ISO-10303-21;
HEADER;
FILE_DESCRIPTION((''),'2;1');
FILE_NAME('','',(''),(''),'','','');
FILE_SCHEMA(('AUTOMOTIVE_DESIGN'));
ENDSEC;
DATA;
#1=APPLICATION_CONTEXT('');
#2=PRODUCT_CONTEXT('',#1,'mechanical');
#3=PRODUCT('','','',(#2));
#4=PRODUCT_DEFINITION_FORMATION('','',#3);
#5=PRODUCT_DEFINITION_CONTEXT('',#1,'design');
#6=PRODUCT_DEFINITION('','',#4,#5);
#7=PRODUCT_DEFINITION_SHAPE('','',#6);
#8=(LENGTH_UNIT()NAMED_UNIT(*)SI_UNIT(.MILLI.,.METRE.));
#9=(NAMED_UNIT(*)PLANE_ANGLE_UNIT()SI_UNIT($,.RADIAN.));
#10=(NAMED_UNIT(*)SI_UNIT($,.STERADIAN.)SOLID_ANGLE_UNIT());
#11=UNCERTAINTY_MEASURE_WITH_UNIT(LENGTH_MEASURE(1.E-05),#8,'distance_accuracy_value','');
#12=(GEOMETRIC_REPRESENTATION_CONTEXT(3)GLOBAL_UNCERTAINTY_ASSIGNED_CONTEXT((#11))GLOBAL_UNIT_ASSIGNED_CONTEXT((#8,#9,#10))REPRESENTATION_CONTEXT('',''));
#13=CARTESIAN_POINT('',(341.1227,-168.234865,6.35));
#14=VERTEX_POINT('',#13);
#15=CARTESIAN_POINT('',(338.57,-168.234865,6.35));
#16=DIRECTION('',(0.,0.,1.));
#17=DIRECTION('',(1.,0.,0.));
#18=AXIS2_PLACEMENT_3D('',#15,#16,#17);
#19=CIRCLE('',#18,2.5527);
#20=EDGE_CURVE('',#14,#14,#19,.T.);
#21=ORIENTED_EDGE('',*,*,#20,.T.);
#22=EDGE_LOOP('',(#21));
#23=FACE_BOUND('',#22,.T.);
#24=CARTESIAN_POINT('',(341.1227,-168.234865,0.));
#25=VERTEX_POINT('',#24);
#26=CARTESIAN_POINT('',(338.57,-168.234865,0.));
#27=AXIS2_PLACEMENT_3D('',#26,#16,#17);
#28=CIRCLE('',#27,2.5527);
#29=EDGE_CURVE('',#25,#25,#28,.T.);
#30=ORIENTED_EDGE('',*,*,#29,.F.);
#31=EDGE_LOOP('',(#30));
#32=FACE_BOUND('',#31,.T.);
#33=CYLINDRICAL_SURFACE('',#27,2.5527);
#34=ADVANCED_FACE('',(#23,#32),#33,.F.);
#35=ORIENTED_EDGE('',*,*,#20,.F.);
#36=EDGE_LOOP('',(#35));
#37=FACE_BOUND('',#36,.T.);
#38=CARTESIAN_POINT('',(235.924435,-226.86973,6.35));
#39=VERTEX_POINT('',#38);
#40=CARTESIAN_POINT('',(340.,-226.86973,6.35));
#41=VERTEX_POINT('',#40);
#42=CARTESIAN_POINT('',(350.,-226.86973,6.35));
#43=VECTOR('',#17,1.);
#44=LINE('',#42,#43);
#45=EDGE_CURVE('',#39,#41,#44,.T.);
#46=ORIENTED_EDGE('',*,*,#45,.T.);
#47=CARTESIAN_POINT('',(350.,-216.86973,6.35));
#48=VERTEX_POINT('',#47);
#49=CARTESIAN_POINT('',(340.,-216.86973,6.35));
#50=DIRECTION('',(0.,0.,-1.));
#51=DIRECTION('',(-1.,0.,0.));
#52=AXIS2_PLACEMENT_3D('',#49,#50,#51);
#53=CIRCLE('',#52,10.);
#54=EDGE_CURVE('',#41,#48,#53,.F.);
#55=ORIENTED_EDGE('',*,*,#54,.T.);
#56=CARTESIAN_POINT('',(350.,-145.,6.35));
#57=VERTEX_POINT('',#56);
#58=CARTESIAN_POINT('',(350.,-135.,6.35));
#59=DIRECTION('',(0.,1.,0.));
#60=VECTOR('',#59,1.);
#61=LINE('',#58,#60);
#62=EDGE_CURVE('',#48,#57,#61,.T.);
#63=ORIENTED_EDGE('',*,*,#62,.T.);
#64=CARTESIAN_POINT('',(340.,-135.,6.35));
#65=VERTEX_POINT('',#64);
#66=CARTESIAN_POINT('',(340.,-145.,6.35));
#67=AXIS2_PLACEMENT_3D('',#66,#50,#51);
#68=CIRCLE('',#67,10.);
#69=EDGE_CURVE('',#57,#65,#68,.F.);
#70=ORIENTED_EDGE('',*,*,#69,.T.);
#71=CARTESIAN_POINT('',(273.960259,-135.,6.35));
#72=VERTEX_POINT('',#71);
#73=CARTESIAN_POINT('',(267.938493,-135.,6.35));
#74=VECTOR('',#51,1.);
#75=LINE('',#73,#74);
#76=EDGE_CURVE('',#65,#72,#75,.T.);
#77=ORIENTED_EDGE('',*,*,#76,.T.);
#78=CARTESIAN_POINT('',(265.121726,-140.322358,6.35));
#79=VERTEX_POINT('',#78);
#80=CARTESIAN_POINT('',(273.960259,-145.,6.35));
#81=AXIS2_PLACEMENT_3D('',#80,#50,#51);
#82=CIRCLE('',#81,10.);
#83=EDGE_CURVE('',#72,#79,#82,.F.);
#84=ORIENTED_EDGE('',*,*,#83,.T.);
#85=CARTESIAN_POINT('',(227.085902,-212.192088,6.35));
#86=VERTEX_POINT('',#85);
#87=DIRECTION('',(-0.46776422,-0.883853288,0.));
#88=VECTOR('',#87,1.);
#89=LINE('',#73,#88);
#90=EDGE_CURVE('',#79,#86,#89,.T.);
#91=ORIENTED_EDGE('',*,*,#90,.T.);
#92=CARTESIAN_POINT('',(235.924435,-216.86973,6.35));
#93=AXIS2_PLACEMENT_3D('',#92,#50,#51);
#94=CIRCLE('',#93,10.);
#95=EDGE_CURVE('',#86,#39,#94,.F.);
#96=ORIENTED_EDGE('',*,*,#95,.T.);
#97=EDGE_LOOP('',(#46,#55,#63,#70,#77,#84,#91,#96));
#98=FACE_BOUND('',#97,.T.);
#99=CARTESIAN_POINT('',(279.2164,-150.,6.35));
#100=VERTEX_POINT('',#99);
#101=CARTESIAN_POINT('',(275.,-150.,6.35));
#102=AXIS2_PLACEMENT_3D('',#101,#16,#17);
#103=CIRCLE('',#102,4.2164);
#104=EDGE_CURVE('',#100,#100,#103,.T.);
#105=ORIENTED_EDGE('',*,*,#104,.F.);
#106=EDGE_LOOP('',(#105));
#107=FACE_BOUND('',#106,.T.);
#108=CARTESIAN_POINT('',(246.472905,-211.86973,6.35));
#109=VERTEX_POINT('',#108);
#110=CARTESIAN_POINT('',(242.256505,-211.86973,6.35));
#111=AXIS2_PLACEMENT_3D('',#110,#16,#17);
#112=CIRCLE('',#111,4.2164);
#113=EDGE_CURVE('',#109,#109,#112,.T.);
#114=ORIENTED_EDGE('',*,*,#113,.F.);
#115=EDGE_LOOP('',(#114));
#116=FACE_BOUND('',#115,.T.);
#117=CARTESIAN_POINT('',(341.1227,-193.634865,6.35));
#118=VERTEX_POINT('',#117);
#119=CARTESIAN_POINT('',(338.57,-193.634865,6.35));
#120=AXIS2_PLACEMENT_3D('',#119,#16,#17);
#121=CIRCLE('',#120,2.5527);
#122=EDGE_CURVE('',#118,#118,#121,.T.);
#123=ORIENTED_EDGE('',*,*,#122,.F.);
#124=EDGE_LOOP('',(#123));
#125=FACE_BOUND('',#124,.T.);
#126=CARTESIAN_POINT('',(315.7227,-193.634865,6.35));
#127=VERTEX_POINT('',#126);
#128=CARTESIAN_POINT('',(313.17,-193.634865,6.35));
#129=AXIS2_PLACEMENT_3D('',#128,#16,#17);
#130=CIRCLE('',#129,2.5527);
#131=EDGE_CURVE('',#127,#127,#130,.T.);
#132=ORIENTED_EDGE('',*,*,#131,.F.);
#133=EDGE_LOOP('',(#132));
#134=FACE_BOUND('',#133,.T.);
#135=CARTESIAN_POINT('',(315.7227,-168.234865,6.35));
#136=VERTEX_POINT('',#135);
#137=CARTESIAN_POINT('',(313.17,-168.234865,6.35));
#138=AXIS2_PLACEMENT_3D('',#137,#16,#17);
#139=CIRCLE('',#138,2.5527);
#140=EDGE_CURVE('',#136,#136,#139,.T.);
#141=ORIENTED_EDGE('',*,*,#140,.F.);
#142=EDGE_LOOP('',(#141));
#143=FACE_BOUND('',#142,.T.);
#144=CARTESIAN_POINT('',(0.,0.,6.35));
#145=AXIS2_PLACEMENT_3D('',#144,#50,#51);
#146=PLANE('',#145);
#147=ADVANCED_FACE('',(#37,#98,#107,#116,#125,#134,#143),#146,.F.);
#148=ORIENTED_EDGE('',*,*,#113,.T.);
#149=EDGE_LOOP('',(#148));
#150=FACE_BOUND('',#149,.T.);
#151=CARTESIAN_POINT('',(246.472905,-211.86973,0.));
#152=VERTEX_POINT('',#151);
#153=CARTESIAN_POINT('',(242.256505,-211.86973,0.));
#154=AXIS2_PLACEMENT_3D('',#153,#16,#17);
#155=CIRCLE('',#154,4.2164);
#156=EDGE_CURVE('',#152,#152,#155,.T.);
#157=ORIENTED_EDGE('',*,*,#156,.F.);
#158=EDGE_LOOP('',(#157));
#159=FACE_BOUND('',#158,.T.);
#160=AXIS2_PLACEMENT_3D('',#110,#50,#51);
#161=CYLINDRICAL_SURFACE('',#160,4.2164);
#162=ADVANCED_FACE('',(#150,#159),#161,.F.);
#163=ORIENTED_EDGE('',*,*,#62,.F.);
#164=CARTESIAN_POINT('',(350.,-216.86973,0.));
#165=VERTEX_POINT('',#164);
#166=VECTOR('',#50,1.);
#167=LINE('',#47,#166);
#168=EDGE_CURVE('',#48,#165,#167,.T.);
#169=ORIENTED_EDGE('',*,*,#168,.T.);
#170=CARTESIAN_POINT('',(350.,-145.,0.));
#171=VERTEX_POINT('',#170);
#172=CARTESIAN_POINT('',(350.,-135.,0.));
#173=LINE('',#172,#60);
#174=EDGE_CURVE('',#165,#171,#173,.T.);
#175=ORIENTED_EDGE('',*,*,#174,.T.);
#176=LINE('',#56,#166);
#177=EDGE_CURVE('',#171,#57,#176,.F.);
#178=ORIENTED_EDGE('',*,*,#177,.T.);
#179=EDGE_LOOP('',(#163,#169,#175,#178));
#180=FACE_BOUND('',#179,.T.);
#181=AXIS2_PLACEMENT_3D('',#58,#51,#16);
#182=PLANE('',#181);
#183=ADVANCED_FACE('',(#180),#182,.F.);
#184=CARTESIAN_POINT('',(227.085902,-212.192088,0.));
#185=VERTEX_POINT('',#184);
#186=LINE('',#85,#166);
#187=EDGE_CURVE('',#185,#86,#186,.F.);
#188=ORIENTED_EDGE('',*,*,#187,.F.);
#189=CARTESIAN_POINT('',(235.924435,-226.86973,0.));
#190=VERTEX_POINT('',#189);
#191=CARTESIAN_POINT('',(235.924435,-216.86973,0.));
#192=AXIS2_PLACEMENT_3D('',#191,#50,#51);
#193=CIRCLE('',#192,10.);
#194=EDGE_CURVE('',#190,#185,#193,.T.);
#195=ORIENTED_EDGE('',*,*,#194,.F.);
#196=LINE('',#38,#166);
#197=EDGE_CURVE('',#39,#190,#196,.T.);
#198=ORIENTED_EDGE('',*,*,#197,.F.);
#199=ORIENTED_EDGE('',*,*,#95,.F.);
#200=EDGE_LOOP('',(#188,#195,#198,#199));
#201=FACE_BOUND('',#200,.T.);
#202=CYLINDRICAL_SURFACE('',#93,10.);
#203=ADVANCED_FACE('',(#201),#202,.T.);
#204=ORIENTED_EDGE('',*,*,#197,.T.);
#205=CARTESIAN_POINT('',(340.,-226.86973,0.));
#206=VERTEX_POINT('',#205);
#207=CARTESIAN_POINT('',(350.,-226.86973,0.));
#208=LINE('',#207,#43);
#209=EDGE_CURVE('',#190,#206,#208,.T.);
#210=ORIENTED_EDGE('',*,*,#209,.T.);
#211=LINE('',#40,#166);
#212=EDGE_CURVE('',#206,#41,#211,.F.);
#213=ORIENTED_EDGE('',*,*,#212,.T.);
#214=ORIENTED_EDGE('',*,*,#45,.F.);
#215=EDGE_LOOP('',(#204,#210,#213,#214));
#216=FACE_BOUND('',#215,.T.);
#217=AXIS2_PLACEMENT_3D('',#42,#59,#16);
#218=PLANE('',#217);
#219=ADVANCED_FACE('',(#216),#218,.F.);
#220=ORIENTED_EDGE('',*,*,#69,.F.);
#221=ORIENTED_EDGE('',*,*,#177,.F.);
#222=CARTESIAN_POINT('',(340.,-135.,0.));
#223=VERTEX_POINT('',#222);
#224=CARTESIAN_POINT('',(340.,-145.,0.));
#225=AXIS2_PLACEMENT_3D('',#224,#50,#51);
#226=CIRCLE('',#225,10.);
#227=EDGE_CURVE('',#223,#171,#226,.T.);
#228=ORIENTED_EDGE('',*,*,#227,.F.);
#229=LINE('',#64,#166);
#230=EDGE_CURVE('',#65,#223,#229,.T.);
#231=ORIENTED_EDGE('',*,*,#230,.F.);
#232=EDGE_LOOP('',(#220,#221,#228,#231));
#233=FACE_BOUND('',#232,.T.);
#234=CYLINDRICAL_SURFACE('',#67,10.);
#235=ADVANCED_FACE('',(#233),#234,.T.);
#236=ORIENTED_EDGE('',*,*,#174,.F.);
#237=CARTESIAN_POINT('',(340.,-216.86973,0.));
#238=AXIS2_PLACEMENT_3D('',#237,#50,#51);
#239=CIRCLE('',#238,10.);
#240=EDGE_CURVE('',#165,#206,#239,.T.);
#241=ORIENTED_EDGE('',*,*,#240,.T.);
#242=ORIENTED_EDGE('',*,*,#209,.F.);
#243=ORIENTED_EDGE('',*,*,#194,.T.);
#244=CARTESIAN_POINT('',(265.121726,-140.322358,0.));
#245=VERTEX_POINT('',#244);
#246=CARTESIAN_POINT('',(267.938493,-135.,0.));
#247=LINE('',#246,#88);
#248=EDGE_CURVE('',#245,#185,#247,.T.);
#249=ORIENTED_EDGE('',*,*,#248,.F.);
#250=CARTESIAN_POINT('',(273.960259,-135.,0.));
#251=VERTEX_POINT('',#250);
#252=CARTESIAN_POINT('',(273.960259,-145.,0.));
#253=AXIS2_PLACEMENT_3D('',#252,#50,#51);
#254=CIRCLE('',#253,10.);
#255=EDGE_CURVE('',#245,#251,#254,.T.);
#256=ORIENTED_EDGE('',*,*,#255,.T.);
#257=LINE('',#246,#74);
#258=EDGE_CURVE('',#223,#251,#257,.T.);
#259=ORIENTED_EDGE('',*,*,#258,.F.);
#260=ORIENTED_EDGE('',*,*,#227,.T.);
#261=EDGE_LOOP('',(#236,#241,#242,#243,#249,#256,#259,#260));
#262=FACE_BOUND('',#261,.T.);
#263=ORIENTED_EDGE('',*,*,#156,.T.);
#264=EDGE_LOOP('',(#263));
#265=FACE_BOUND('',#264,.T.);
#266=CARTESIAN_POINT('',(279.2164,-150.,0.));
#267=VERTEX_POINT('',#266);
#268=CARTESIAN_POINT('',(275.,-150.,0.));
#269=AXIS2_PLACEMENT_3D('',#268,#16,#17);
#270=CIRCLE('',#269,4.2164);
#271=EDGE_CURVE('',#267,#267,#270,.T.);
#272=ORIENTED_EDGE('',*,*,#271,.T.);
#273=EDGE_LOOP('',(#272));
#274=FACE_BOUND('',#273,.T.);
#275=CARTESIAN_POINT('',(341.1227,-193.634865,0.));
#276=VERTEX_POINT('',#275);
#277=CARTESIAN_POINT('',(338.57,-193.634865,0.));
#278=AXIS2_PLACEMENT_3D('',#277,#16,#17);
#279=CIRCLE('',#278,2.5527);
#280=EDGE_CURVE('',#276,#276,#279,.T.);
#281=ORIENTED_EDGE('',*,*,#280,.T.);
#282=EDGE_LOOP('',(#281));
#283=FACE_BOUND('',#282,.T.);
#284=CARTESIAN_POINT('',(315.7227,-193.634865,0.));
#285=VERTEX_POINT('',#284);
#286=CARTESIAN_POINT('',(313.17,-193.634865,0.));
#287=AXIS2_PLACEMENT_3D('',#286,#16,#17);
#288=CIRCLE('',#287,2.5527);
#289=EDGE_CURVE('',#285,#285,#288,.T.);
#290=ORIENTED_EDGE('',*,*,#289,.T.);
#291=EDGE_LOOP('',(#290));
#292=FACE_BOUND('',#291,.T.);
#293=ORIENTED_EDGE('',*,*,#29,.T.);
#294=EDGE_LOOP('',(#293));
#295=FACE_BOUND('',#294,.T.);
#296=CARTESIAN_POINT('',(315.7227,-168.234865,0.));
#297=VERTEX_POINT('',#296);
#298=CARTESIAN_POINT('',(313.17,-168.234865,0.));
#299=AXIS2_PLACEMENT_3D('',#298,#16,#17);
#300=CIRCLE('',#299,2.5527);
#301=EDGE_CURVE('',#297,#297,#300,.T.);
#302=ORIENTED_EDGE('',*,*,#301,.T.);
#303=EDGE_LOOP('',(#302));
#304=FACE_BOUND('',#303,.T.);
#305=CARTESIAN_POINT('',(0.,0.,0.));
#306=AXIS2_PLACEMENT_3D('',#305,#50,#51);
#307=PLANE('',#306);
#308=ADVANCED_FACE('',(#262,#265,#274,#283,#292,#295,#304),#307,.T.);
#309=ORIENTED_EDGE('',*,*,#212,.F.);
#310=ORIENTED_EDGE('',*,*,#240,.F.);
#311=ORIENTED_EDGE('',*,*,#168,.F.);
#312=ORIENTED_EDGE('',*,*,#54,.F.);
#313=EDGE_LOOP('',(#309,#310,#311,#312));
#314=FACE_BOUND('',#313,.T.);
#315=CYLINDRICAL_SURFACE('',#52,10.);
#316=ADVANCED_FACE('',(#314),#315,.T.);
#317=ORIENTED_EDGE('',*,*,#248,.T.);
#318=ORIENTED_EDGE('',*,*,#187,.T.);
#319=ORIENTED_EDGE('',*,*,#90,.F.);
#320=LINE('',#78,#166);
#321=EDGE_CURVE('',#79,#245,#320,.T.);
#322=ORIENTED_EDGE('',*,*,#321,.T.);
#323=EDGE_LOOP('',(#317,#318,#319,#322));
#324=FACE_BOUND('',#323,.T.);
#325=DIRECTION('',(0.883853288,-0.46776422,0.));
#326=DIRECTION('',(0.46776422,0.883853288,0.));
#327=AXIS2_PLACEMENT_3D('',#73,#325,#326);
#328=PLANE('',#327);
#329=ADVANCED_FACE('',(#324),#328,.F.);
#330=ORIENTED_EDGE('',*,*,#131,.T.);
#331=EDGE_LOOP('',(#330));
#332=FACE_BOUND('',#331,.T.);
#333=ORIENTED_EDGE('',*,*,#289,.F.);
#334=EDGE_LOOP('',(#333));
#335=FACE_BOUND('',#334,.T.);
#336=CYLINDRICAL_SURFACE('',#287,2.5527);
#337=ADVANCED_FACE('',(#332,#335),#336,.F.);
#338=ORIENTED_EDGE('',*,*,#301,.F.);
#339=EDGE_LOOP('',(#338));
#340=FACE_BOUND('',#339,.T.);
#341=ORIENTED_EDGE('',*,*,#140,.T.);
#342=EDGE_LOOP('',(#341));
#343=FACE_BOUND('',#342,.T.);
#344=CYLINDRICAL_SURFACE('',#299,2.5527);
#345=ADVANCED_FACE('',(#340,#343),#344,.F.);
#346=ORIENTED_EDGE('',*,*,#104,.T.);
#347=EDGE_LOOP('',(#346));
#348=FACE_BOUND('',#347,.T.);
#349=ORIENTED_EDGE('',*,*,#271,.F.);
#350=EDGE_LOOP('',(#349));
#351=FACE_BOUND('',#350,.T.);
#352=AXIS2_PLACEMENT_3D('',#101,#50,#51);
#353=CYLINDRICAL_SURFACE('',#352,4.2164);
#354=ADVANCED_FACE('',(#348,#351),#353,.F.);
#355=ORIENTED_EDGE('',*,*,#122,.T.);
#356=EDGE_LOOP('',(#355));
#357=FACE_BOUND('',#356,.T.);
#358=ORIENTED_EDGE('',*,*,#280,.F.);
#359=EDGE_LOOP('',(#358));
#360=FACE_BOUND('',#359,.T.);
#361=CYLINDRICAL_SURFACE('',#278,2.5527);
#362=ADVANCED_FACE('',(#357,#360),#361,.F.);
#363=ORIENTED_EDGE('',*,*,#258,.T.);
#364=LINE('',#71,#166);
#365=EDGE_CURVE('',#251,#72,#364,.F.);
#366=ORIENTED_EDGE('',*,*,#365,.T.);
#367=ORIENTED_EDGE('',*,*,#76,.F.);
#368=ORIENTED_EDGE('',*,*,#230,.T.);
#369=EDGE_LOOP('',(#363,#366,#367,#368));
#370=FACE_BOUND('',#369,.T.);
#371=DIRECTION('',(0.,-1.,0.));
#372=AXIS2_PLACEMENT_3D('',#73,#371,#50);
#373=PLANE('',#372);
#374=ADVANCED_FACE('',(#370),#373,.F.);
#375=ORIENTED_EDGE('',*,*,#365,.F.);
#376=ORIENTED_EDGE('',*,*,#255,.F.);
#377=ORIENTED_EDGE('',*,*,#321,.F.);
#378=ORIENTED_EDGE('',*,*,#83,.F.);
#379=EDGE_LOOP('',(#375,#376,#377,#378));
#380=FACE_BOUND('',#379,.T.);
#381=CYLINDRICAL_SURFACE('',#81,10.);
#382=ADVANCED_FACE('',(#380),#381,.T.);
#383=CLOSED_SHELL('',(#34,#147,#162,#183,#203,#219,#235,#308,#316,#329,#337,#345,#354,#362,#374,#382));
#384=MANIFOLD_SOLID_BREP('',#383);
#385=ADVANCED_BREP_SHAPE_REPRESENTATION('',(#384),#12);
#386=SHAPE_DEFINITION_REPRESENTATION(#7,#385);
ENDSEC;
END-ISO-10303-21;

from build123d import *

# Parameters (mm, degrees)
SKETCH1_R           = 4.2164
BOSS_EXTRUDE1_DEPTH = 6.35
SKETCH2_R           = 2.5527
CUT_EXTRUDE1_DEPTH  = 6.35
FILLET1_R           = 10


with BuildPart() as part:
    # Sketch1 → Boss-Extrude1 (new body)
    with BuildSketch(Plane.XY):
        Polygon((267.938493178, -135), (219.318011435, -226.869730158), (350, -226.869730158), (350, -135), align=None)
        with Locations((275, -150)):
            Circle(SKETCH1_R, mode=Mode.SUBTRACT)
        with Locations((242.256504613, -211.869730158)):
            Circle(SKETCH1_R, mode=Mode.SUBTRACT)
    extrude(amount=BOSS_EXTRUDE1_DEPTH)

    # Sketch2 → Cut-Extrude1 (cut)
    with BuildSketch(Plane.XY.offset(6.35)):
        with Locations((313.17, -168.234865079)):
            Circle(SKETCH2_R)
        with Locations((338.57, -168.234865079)):
            Circle(SKETCH2_R)
        with Locations((313.17, -193.634865079)):
            Circle(SKETCH2_R)
        with Locations((338.57, -193.634865079)):
            Circle(SKETCH2_R)
    extrude(amount=-CUT_EXTRUDE1_DEPTH, mode=Mode.SUBTRACT)

    # Fillet1
    fillet1_edges = [part.edges().sort_by_distance(p)[0] for p in [
        (350, -135, 3.175),
        (350, -226.869730158, 3.175),
        (219.318011435, -226.869730158, 3.175),
        (267.938493178, -135, 3.175),
    ]]
    fillet(fillet1_edges, radius=FILLET1_R)


solid = part.part
